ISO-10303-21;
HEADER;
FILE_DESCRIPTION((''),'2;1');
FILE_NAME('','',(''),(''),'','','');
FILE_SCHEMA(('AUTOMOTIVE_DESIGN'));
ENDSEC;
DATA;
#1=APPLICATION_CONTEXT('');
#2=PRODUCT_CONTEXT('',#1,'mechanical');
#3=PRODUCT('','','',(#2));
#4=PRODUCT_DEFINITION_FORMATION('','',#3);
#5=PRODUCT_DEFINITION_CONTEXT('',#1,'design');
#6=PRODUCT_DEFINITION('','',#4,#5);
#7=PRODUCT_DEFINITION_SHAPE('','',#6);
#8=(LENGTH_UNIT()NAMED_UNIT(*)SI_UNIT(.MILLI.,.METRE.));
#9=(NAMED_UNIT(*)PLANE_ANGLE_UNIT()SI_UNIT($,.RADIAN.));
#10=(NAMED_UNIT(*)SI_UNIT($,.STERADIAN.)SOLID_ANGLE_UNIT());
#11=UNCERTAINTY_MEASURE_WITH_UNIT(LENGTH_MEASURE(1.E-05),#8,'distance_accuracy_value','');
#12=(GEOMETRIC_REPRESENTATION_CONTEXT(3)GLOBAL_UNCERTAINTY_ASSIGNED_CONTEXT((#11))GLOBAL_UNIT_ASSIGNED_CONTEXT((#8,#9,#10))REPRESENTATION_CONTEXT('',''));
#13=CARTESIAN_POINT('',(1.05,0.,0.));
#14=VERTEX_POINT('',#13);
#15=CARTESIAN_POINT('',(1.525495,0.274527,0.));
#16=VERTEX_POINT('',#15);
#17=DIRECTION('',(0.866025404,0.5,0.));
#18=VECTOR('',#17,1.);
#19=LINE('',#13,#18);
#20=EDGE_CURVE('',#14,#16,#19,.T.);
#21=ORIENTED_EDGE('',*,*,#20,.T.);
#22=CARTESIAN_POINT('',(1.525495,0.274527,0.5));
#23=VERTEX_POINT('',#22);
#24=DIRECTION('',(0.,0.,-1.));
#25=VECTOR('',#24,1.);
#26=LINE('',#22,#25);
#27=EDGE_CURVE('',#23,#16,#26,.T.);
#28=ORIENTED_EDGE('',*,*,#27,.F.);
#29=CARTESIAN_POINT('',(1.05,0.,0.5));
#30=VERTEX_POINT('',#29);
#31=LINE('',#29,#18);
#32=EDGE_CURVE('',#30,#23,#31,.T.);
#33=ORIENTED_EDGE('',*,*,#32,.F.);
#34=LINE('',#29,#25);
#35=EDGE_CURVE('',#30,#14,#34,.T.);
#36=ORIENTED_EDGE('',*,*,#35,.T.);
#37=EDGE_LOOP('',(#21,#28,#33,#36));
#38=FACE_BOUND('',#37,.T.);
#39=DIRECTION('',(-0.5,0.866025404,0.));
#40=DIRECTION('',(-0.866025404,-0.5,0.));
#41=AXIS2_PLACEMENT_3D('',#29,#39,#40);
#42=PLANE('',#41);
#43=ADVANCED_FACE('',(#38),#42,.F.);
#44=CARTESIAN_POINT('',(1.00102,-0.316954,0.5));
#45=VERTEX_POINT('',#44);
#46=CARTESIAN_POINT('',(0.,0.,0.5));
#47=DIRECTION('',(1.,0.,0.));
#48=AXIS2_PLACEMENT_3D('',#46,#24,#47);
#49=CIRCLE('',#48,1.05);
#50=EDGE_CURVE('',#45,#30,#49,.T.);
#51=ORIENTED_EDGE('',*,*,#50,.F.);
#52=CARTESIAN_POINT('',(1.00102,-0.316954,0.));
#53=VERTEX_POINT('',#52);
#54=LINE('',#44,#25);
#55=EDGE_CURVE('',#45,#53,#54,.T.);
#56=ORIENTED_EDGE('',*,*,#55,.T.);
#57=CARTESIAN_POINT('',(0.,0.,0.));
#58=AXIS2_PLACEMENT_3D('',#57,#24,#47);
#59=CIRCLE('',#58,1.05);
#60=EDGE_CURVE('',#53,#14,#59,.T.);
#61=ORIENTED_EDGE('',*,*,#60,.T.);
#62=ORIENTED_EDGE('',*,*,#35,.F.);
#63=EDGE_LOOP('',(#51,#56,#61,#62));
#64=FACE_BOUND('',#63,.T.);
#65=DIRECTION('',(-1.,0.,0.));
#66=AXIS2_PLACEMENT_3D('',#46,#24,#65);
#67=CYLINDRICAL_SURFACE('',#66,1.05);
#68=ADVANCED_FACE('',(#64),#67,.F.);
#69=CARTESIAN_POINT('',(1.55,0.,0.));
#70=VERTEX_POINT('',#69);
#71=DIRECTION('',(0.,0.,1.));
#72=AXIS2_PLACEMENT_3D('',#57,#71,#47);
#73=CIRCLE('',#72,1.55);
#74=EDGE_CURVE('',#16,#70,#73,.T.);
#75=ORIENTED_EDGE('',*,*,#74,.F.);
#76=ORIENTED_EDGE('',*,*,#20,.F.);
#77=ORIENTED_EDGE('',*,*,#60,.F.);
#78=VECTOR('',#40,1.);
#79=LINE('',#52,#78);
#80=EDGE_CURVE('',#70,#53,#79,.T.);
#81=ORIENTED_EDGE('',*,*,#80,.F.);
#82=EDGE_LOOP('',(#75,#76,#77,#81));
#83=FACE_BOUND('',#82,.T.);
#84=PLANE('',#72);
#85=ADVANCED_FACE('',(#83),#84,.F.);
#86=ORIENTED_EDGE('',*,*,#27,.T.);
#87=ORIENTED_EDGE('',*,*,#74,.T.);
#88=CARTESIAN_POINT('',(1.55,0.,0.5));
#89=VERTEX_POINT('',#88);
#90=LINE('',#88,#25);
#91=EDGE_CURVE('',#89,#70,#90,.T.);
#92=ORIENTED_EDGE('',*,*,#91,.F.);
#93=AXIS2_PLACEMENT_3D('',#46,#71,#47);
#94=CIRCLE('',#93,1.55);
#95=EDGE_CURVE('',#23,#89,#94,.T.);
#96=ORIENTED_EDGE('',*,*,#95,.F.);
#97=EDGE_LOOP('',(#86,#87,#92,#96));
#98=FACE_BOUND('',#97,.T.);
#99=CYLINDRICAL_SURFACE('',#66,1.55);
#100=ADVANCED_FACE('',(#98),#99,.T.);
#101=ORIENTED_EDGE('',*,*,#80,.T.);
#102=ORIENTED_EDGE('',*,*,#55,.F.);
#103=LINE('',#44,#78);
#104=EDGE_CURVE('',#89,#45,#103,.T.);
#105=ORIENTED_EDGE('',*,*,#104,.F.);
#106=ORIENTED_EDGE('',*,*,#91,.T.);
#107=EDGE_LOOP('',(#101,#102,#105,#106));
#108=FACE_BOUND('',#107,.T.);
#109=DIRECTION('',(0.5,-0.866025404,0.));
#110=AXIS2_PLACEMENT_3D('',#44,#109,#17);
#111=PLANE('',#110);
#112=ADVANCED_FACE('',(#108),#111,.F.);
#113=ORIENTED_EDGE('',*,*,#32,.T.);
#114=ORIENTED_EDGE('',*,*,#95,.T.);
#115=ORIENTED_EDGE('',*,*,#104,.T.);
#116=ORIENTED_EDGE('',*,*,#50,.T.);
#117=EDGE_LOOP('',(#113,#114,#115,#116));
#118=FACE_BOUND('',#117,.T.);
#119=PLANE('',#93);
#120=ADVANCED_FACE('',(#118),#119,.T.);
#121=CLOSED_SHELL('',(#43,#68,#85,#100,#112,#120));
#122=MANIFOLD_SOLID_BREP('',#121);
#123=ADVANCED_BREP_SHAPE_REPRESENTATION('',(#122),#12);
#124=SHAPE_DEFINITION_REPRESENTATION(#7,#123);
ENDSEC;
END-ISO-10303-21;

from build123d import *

# Parameters (mm, degrees)
EXTRUDE_242_DEPTH = 0.5


with BuildPart() as part:
    # Эскиз1 → Extrude 242 (new body)
    with BuildSketch(Plane.XY):
        with BuildLine():
            Line((1.05, 0), (1.525494952, 0.274527139))
            ThreePointArc((1.525494952, 0.274527139), (-1.543861583, -0.137809331), (1.55, 0))
            Line((1.55, 0), (1.00101956, -0.316954005))
            ThreePointArc((1.00101956, -0.316954005), (-1.037682644, 0.160358134), (1.05, 0))
        make_face()
    extrude(amount=EXTRUDE_242_DEPTH)


solid = part.part
